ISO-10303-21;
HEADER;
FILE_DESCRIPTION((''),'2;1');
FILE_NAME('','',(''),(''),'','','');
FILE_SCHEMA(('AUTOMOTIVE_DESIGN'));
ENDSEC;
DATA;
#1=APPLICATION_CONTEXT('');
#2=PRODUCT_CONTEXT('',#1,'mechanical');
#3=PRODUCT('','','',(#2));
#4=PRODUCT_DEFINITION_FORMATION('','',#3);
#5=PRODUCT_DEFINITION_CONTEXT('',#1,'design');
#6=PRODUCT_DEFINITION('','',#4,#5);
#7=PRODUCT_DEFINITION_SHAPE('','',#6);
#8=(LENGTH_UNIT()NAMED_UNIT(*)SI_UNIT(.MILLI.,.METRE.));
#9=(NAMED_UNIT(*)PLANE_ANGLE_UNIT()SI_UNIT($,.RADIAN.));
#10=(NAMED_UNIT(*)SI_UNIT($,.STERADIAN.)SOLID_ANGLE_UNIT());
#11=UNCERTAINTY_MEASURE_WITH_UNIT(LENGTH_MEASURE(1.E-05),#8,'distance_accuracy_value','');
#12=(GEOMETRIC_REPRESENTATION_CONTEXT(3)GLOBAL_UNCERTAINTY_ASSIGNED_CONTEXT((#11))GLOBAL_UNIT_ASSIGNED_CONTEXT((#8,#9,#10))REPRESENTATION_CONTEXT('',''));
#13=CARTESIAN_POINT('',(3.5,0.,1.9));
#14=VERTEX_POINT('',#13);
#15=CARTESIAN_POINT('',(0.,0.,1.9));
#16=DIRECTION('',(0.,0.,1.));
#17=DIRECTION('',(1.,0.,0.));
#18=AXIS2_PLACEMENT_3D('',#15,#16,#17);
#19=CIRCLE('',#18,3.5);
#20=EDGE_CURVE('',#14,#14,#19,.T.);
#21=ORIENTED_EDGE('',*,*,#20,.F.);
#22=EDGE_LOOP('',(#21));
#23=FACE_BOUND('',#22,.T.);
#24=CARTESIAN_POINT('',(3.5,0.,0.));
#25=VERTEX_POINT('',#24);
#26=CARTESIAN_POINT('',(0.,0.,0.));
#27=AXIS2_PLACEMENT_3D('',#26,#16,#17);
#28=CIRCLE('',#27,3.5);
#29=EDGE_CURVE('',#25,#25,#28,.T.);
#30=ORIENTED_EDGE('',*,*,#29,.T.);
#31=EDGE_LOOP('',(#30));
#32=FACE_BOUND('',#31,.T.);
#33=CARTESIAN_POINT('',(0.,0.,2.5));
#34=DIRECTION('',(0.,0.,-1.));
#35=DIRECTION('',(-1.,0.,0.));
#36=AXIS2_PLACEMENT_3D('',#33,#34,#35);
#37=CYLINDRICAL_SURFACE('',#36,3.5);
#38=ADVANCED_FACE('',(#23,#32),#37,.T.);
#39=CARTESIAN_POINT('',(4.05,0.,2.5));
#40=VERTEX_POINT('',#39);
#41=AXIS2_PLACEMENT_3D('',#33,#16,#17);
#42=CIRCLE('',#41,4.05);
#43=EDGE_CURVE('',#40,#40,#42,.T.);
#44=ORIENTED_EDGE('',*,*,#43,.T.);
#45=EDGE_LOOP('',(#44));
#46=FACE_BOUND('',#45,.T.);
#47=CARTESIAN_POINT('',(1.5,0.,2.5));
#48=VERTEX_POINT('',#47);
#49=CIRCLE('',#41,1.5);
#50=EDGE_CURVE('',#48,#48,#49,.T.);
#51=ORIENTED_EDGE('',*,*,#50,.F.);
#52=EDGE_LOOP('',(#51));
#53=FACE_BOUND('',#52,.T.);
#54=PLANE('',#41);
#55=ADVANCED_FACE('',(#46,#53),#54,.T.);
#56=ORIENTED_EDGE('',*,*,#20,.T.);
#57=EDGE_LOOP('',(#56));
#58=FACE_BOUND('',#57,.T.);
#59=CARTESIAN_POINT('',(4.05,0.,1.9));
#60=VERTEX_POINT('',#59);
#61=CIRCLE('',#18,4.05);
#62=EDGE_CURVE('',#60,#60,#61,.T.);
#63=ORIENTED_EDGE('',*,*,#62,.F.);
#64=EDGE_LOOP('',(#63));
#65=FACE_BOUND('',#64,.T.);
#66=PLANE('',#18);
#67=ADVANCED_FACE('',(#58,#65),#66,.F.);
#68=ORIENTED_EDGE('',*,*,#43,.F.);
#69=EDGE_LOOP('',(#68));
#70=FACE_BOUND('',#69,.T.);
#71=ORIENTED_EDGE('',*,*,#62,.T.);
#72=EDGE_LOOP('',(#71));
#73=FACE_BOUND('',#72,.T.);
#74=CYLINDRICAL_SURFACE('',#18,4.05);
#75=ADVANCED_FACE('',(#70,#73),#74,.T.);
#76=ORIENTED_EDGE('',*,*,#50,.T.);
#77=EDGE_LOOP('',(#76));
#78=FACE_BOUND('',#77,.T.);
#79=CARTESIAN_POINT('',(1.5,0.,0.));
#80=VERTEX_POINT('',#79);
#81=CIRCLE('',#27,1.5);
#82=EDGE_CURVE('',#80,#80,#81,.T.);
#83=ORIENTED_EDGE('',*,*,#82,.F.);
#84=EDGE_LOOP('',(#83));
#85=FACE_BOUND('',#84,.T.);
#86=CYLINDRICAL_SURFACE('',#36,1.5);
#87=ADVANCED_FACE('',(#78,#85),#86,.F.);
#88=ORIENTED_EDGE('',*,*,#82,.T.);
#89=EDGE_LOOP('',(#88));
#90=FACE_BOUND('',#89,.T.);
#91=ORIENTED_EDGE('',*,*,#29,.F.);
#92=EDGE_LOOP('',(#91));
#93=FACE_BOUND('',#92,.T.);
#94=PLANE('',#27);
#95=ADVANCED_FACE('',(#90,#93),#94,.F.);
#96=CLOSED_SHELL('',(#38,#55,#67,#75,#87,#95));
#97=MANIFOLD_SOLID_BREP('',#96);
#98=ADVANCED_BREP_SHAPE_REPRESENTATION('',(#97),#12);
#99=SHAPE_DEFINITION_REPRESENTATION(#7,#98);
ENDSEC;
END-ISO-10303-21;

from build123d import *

# Parameters (mm, degrees)
SKETCH_1_R      = 3.5
SKETCH_1_R_2    = 1.5
EXTRUDE_1_DEPTH = 2.5
SKETCH_2_R      = 4.05
SKETCH_2_R_2    = 1.5
EXTRUDE_2_DEPTH = 0.6


with BuildPart() as part:
    # 草图1 → 凸台-拉伸1 (new body)
    with BuildSketch(Plane.XY):
        Circle(SKETCH_1_R)
        Circle(SKETCH_1_R_2, mode=Mode.SUBTRACT)
    extrude(amount=EXTRUDE_1_DEPTH)

    # 草图2 → 凸台-拉伸2 (add)
    with BuildSketch(Plane.XY.offset(2.5)):
        Circle(SKETCH_2_R)
        Circle(SKETCH_2_R_2, mode=Mode.SUBTRACT)
    extrude(amount=-EXTRUDE_2_DEPTH)


solid = part.part
